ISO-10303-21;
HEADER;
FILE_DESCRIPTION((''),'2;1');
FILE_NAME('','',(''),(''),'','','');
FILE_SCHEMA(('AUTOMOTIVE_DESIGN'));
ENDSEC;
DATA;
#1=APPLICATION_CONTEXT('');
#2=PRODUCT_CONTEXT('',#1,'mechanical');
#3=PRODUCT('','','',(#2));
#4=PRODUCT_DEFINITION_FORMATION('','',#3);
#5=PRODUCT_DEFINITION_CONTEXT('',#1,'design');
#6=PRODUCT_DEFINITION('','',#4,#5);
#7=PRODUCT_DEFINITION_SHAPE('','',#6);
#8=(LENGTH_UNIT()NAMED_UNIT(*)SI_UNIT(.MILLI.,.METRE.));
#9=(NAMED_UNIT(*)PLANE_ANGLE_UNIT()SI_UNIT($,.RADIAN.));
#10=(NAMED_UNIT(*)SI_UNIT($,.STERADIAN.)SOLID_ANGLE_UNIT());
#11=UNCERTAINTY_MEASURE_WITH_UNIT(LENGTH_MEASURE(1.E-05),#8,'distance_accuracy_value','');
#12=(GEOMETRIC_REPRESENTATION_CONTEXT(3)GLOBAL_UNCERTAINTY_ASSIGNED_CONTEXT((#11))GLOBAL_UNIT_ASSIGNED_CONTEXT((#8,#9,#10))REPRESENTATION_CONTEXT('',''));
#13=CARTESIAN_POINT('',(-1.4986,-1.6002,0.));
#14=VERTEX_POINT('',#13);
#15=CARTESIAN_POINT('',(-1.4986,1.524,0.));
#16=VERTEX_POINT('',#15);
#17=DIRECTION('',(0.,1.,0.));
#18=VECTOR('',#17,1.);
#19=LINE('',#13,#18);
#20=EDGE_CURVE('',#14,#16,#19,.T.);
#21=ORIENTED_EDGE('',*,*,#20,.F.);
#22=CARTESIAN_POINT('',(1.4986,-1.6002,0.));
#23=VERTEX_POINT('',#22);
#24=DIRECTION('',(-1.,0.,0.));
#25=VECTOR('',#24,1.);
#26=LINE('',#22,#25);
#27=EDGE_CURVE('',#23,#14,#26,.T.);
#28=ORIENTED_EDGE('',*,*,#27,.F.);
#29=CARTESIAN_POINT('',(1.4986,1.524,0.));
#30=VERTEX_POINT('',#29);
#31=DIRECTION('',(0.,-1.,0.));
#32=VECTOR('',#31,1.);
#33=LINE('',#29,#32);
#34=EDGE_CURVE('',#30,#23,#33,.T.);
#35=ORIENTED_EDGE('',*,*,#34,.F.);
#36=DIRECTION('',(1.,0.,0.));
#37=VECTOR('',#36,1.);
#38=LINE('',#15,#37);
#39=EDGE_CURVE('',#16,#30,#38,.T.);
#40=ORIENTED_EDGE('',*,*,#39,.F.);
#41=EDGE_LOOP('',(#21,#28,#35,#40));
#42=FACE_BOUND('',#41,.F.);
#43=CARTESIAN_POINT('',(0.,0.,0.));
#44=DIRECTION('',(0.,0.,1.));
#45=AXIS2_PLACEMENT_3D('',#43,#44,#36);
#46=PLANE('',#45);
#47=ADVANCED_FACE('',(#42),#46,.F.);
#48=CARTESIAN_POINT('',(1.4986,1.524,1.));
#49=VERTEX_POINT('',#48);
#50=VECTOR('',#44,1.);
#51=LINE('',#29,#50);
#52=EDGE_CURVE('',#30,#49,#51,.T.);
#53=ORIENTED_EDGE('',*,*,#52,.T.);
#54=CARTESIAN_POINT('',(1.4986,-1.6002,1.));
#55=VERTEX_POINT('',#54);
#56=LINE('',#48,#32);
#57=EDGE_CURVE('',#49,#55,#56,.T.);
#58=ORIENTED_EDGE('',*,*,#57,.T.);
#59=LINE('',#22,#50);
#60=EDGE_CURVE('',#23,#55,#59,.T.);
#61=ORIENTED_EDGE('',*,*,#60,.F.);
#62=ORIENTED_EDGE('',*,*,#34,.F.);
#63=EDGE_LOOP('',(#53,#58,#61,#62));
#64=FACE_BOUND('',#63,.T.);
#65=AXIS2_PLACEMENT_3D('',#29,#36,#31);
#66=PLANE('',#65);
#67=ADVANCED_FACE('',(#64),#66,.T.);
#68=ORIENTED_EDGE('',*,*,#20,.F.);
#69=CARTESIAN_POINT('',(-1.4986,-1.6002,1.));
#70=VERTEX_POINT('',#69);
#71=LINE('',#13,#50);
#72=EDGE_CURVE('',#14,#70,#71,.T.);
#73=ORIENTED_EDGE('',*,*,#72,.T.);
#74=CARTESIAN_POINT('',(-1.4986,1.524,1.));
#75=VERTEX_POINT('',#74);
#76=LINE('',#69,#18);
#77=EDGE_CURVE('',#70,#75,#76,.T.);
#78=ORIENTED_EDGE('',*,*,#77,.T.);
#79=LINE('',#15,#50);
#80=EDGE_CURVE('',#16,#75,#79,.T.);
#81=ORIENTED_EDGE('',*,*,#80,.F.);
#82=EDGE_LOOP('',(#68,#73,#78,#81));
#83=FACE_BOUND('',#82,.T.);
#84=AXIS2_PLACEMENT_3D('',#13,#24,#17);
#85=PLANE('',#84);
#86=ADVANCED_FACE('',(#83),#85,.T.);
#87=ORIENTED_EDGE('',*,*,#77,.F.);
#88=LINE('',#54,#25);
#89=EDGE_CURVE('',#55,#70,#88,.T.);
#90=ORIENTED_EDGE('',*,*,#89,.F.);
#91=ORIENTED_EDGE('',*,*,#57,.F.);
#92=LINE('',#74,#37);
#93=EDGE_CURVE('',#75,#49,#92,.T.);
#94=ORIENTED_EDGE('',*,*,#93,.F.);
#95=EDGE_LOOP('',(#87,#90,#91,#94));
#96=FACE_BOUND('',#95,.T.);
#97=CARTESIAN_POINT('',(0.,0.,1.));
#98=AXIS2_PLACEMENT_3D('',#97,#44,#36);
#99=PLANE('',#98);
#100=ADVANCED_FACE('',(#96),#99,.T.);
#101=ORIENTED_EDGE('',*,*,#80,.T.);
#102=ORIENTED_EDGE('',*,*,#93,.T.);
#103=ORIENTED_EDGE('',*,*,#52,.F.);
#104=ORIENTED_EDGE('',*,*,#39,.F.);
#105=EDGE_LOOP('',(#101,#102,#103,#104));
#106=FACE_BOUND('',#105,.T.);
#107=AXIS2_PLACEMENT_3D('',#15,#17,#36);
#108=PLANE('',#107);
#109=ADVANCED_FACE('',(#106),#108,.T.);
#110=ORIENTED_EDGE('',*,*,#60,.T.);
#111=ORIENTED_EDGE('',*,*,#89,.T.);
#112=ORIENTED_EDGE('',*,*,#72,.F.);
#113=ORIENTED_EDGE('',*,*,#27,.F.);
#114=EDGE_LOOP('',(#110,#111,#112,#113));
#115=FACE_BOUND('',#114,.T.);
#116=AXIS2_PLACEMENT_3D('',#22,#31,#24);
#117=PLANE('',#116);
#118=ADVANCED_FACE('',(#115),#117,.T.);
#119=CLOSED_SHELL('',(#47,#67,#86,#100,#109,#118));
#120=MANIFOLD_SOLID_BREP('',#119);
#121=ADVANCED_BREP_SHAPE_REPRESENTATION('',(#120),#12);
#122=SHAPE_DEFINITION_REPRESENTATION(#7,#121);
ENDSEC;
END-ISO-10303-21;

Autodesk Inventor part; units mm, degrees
ref_plane "YZ Plane" through (0, 0, 0) normal (1, 0, 0) x (0, 1, 0)
ref_plane "XZ Plane" through (0, 0, 0) normal (0, 1, 0) x (-1, 0, 0)
ref_plane "XY Plane" through (0, 0, 0) normal (0, 0, 1) x (1, 0, 0)
sketch "SOT95P280X145-5N, LP2985-33DBVT_79" plane through (0, 0, 0) normal (0, 0, 1) x (1, 0, 0)
  line L0 (-1.4986, 1.524) -> (1.4986, 1.524)
  line L1 (1.4986, 1.524) -> (1.4986, -1.6002)
  line L2 (1.4986, -1.6002) -> (-1.4986, -1.6002)
  line L3 (-1.4986, -1.6002) -> (-1.4986, 1.524)
extrude "Extrusion1" add sketch "SOT95P280X145-5N, LP2985-33DBVT_79" along normal blind 1
properties part number "LP2985-33DBVT"
